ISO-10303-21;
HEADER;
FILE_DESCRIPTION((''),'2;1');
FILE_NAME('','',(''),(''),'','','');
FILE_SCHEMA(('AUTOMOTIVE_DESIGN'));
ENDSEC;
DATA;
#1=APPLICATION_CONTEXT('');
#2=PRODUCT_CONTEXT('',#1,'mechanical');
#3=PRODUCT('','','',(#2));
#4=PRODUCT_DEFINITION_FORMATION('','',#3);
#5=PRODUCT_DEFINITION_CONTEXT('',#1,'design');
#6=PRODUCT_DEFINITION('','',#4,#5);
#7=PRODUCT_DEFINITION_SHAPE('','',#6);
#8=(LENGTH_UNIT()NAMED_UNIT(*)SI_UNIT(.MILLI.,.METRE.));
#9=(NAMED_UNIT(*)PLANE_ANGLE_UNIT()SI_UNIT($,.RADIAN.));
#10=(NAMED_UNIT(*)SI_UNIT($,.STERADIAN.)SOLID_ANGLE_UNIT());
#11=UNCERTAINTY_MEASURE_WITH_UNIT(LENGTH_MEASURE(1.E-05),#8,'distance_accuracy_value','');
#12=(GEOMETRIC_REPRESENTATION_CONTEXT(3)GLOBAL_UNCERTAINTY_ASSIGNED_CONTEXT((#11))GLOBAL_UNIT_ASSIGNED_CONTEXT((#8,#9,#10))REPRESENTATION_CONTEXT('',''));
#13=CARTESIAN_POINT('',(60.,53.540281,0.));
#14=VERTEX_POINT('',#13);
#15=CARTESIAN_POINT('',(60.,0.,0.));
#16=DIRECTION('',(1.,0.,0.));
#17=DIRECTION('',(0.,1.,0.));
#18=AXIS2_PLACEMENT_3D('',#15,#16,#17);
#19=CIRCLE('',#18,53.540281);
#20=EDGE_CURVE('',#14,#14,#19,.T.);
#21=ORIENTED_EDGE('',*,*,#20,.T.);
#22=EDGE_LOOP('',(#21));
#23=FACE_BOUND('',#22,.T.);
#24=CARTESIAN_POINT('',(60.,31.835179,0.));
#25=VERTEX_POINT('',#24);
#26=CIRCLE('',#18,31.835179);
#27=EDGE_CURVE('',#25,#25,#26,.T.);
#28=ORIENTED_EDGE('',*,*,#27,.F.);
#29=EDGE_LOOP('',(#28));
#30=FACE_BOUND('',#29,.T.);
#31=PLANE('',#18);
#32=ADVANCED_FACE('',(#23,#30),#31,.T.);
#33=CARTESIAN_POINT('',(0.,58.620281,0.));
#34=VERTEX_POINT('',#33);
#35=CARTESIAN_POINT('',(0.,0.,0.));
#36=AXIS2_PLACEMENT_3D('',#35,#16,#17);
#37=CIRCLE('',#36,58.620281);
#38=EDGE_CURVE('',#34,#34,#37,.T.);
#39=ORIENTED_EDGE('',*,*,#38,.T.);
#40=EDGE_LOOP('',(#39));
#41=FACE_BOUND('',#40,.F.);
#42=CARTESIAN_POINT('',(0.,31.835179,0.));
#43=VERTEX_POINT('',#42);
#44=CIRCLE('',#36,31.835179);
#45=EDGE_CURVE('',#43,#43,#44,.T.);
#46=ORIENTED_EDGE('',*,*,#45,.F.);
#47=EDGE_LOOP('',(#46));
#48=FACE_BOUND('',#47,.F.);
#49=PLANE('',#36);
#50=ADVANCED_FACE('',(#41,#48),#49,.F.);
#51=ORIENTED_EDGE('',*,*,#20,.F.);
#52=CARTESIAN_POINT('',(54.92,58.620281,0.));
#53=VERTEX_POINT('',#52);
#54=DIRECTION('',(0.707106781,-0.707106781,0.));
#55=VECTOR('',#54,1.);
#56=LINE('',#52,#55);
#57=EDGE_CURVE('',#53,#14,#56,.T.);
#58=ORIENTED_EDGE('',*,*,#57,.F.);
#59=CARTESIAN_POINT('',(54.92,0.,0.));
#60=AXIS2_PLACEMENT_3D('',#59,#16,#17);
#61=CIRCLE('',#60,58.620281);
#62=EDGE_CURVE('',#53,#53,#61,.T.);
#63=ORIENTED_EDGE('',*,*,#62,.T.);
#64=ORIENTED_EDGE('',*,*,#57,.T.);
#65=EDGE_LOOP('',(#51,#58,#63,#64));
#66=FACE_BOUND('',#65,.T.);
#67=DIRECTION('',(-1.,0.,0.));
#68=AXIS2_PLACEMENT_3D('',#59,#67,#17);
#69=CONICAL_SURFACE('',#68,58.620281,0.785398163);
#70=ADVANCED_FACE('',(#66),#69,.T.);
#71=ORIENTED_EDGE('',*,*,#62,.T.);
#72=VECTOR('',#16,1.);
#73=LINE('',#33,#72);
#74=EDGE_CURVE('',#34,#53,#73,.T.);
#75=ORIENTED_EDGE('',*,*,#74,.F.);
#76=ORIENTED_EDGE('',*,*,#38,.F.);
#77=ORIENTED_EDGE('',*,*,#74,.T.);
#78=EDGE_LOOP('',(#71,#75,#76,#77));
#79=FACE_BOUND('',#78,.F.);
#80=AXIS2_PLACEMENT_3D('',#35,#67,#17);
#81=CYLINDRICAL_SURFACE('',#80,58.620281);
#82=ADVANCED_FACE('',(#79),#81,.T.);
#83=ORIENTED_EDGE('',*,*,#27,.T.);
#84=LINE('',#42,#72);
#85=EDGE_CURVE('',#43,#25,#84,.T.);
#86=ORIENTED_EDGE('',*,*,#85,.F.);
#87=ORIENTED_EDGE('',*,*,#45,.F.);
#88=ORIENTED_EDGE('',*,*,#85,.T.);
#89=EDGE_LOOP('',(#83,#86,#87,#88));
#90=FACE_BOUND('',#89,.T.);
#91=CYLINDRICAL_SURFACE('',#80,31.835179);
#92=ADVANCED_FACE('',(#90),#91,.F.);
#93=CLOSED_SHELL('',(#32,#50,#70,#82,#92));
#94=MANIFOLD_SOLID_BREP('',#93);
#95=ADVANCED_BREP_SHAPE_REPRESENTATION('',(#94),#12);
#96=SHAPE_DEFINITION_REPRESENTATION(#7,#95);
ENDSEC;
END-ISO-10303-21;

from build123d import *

# Parameters (mm, degrees)
F0_R     = 58.620281
F0_R_2   = 31.835179
F1_DEPTH = 60
F2_SIZE  = 5.08


with BuildPart() as f1:
    # F0 (on Right) → F1 (new body)
    with BuildSketch(Plane.YZ):
        Circle(F0_R)
        Circle(F0_R_2, mode=Mode.SUBTRACT)
    extrude(amount=F1_DEPTH)

    # F2
    f2_edges = [f1.edges().sort_by_distance(p)[0] for p in [
        (60, -58.620281, 0),
    ]]
    chamfer(f2_edges, length=F2_SIZE)


solid = f1.part
